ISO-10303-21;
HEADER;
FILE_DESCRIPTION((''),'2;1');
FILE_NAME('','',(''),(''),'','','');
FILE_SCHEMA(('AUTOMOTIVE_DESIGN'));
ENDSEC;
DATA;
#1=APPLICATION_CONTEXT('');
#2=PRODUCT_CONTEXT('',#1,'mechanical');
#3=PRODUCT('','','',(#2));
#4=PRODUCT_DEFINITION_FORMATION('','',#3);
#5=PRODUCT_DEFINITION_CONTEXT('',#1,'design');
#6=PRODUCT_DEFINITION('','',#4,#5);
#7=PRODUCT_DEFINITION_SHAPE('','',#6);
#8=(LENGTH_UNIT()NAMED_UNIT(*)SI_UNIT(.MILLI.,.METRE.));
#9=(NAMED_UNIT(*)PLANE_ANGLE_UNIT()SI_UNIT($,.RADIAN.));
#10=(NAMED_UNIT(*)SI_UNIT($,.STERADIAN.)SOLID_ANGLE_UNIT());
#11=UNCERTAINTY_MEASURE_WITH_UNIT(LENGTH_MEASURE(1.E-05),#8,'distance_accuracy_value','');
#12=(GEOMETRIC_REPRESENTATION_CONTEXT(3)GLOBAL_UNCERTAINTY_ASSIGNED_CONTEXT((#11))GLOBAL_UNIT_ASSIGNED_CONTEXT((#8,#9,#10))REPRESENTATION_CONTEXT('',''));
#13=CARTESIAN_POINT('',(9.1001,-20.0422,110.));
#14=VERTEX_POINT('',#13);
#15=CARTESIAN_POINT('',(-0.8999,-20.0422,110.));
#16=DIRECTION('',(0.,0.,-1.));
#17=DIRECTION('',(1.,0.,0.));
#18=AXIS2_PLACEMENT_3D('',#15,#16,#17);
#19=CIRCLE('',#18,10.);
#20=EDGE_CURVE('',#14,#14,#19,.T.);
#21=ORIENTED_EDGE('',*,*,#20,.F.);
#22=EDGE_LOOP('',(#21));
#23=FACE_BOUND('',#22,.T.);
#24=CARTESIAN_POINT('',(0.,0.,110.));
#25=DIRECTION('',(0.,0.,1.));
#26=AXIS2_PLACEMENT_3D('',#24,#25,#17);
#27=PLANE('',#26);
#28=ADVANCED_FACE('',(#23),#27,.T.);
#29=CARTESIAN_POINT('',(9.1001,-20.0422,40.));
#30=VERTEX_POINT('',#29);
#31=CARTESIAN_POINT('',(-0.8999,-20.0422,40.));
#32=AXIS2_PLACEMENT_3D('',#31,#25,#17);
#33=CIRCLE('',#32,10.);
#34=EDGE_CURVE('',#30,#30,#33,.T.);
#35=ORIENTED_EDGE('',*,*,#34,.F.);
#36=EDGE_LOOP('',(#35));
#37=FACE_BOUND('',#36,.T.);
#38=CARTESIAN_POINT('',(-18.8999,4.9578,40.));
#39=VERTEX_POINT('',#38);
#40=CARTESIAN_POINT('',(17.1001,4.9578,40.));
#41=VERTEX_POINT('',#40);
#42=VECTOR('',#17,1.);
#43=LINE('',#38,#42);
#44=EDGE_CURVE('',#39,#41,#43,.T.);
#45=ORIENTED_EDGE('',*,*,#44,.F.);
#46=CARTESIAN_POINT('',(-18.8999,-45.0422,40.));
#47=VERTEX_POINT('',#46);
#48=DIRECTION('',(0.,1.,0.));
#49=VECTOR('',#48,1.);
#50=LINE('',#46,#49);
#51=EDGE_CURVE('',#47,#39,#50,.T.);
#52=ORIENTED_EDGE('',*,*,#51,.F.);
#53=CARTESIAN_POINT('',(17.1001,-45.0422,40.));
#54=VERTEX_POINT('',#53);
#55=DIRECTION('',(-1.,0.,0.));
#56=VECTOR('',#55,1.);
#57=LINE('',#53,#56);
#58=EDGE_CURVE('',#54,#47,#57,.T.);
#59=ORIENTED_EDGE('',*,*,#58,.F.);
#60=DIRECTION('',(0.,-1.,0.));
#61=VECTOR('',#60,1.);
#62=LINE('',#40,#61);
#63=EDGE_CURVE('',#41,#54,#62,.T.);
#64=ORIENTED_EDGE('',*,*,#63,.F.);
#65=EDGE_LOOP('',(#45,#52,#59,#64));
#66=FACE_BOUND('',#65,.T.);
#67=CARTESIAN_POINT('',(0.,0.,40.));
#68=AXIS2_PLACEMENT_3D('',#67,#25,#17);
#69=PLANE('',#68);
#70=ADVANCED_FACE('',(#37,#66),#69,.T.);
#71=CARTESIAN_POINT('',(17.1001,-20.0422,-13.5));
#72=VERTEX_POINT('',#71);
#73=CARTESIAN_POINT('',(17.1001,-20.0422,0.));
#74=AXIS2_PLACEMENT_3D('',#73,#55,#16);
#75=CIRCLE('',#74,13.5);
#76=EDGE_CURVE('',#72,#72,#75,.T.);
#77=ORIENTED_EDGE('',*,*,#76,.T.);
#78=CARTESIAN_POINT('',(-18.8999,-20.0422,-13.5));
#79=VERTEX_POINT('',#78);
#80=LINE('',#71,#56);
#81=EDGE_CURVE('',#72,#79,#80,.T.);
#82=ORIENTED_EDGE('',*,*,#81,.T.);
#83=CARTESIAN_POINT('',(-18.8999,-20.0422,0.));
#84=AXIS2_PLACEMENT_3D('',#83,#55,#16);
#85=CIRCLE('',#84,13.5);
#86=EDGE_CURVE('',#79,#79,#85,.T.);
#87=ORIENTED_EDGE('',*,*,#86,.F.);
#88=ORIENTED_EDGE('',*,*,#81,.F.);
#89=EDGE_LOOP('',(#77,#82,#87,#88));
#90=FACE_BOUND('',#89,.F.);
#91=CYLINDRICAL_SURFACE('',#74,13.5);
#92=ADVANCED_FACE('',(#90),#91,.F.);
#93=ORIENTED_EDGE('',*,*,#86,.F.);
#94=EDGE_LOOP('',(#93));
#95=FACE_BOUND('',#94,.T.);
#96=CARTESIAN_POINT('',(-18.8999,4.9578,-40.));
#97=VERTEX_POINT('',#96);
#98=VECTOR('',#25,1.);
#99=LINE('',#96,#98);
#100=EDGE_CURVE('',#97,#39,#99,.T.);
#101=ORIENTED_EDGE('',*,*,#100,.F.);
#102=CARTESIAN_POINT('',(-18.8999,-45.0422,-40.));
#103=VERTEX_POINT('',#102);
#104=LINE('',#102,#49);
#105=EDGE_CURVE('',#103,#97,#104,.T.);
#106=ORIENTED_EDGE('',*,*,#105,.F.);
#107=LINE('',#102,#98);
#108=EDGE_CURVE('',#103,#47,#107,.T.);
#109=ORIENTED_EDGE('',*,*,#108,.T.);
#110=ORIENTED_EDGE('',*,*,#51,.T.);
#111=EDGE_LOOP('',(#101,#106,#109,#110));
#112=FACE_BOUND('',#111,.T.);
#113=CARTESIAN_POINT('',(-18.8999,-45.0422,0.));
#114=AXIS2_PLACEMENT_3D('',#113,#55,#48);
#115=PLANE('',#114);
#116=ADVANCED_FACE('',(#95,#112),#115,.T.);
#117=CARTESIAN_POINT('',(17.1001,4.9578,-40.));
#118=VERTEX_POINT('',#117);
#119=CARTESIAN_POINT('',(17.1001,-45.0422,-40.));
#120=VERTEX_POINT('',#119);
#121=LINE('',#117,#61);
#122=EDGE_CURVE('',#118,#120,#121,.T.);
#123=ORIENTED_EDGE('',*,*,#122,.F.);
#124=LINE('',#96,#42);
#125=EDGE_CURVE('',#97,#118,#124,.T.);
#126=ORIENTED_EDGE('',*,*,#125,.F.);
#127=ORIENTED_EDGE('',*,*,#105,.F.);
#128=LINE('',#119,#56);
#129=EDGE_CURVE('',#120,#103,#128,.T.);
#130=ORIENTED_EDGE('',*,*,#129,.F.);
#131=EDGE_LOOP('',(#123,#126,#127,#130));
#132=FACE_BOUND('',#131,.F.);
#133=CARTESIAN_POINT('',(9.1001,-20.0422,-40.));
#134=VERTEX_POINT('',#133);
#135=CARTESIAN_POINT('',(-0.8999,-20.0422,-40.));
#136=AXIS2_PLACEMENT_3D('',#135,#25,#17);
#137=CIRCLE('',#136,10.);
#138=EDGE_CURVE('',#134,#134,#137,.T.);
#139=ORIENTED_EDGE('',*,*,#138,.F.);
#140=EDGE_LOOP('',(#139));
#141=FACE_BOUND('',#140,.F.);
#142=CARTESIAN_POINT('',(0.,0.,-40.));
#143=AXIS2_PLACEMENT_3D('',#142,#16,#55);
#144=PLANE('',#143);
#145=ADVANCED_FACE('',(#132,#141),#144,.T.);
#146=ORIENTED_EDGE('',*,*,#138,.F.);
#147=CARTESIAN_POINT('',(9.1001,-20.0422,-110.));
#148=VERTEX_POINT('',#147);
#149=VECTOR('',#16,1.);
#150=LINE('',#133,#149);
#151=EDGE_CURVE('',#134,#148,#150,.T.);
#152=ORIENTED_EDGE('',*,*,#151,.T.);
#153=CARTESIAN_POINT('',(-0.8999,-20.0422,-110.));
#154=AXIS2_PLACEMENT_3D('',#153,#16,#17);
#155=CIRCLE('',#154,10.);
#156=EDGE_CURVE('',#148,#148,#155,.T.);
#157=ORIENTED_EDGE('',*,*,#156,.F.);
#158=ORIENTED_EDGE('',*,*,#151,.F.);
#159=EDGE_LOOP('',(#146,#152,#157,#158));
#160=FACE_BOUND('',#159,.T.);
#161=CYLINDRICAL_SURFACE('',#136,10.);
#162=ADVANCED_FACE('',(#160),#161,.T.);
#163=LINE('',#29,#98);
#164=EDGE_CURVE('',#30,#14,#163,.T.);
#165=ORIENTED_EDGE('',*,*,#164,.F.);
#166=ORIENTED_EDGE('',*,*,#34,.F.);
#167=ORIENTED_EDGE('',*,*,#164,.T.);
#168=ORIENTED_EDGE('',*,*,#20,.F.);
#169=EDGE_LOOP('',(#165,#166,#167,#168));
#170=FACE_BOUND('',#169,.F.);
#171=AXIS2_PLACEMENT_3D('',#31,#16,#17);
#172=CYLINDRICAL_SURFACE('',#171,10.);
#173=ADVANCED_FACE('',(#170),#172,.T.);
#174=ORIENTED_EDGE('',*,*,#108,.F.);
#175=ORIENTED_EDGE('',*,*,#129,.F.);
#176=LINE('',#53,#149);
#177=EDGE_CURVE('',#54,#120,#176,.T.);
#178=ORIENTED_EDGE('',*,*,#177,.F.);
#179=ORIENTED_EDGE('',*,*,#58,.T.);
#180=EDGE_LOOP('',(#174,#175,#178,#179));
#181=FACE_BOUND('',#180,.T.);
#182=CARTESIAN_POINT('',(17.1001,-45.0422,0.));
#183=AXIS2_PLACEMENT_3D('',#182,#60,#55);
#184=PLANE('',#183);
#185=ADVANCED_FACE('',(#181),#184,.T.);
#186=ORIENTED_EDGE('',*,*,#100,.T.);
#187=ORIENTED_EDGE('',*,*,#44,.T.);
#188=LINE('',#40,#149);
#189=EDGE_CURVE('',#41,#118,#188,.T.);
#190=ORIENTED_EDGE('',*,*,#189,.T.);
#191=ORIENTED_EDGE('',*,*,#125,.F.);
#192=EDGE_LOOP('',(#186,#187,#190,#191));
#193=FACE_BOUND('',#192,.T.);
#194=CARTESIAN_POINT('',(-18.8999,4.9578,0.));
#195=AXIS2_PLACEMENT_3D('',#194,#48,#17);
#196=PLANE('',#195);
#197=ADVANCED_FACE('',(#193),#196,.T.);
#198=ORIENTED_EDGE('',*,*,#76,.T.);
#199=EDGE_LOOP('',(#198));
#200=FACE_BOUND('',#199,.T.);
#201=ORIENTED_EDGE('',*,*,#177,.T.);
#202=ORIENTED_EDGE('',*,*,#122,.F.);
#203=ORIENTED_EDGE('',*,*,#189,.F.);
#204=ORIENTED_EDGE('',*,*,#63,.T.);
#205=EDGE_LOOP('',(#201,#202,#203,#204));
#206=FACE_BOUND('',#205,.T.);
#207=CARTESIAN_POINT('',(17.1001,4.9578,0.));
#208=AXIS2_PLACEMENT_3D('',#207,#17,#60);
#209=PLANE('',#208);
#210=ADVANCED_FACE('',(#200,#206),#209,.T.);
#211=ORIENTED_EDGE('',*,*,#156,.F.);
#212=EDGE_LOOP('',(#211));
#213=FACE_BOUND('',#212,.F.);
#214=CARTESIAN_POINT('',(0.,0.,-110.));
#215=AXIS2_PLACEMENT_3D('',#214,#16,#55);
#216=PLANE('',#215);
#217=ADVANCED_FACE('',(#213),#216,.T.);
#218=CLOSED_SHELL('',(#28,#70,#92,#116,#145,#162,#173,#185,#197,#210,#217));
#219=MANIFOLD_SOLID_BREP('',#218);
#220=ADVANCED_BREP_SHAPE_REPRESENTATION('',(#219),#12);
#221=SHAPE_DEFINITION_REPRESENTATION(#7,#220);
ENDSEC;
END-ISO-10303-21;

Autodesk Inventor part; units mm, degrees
ref_plane "YZ Plane" through (0, 0, 0) normal (1, 0, 0) x (0, 1, 0)
ref_plane "XZ Plane" through (0, 0, 0) normal (0, 1, 0) x (-1, 0, 0)
ref_plane "XY Plane" through (0, 0, 0) normal (0, 0, 1) x (1, 0, 0)
sketch "Szkic1" plane through (0, 0, 0) normal (0, 0, 1) x (1, 0, 0)
  line L0 (-18.8999, 4.9578) -> (17.1001, 4.9578)
  line L1 (17.1001, 4.9578) -> (17.1001, -45.0422)
  line L2 (17.1001, -45.0422) -> (-18.8999, -45.0422)
  line L3 (-18.8999, -45.0422) -> (-18.8999, 4.9578)
  point P0 (0, 0)
  dimension "d0" = 36
  dimension "d1" = 50
extrude "Wyciągnięcie proste1" add sketch "Szkic1" along normal blind 40
sketch "Szkic2" plane through (0, 0, 40) normal (0, 0, 1) x (1, 0, 0)
  line L0 (-18.8999, 4.9578) -> (-18.8999, -45.0422) projected
  line L1 (-18.8999, -45.0422) -> (17.1001, -45.0422) projected
  line L2 (-18.8999, 4.9578) -> (17.1001, -45.0422)
  line L3 (17.1001, -45.0422) -> (17.1001, 4.9578) projected
  line L4 (17.1001, 4.9578) -> (-18.8999, -45.0422)
  circle A0 centre (-0.8999, -20.0422) radius 10
  point P0 (0, 0)
  dimension "d4" = 20
extrude "Wyciągnięcie proste2" add sketch "Szkic2" along normal blind 70 contours A0 L4 L2 | L2 L4 A0 | L4 L2 A0 | L4 A0 L2
mirror "Odbij1" about plane through (-0.8999, -20.0422, 0) normal (0, 0, -1)
sketch "Szkic3" plane through (17.1001, -45.0422, 40) normal (1, 0, 0) x (0, 0, -1)
  line L0 (0, 0) -> (0, 50) projected
  line L1 (80, 0) -> (0, 0) projected
  line L2 (0, 50) -> (80, 0)
  line L3 (80, 0) -> (80, 50) projected
  line L4 (80, 50) -> (0, 0)
  point P0 (40, 45.0422)
  point P1 (40, 25)
hole "Otwór1" at (17.1001, -20.0422, 0) direction (-1, 0, 0) diameter 27 end through all thread size "TR30x3" class "7H" standard "ISO Metric Trapezoidal Threads"
properties part number "sworzeń z nakrętką"
